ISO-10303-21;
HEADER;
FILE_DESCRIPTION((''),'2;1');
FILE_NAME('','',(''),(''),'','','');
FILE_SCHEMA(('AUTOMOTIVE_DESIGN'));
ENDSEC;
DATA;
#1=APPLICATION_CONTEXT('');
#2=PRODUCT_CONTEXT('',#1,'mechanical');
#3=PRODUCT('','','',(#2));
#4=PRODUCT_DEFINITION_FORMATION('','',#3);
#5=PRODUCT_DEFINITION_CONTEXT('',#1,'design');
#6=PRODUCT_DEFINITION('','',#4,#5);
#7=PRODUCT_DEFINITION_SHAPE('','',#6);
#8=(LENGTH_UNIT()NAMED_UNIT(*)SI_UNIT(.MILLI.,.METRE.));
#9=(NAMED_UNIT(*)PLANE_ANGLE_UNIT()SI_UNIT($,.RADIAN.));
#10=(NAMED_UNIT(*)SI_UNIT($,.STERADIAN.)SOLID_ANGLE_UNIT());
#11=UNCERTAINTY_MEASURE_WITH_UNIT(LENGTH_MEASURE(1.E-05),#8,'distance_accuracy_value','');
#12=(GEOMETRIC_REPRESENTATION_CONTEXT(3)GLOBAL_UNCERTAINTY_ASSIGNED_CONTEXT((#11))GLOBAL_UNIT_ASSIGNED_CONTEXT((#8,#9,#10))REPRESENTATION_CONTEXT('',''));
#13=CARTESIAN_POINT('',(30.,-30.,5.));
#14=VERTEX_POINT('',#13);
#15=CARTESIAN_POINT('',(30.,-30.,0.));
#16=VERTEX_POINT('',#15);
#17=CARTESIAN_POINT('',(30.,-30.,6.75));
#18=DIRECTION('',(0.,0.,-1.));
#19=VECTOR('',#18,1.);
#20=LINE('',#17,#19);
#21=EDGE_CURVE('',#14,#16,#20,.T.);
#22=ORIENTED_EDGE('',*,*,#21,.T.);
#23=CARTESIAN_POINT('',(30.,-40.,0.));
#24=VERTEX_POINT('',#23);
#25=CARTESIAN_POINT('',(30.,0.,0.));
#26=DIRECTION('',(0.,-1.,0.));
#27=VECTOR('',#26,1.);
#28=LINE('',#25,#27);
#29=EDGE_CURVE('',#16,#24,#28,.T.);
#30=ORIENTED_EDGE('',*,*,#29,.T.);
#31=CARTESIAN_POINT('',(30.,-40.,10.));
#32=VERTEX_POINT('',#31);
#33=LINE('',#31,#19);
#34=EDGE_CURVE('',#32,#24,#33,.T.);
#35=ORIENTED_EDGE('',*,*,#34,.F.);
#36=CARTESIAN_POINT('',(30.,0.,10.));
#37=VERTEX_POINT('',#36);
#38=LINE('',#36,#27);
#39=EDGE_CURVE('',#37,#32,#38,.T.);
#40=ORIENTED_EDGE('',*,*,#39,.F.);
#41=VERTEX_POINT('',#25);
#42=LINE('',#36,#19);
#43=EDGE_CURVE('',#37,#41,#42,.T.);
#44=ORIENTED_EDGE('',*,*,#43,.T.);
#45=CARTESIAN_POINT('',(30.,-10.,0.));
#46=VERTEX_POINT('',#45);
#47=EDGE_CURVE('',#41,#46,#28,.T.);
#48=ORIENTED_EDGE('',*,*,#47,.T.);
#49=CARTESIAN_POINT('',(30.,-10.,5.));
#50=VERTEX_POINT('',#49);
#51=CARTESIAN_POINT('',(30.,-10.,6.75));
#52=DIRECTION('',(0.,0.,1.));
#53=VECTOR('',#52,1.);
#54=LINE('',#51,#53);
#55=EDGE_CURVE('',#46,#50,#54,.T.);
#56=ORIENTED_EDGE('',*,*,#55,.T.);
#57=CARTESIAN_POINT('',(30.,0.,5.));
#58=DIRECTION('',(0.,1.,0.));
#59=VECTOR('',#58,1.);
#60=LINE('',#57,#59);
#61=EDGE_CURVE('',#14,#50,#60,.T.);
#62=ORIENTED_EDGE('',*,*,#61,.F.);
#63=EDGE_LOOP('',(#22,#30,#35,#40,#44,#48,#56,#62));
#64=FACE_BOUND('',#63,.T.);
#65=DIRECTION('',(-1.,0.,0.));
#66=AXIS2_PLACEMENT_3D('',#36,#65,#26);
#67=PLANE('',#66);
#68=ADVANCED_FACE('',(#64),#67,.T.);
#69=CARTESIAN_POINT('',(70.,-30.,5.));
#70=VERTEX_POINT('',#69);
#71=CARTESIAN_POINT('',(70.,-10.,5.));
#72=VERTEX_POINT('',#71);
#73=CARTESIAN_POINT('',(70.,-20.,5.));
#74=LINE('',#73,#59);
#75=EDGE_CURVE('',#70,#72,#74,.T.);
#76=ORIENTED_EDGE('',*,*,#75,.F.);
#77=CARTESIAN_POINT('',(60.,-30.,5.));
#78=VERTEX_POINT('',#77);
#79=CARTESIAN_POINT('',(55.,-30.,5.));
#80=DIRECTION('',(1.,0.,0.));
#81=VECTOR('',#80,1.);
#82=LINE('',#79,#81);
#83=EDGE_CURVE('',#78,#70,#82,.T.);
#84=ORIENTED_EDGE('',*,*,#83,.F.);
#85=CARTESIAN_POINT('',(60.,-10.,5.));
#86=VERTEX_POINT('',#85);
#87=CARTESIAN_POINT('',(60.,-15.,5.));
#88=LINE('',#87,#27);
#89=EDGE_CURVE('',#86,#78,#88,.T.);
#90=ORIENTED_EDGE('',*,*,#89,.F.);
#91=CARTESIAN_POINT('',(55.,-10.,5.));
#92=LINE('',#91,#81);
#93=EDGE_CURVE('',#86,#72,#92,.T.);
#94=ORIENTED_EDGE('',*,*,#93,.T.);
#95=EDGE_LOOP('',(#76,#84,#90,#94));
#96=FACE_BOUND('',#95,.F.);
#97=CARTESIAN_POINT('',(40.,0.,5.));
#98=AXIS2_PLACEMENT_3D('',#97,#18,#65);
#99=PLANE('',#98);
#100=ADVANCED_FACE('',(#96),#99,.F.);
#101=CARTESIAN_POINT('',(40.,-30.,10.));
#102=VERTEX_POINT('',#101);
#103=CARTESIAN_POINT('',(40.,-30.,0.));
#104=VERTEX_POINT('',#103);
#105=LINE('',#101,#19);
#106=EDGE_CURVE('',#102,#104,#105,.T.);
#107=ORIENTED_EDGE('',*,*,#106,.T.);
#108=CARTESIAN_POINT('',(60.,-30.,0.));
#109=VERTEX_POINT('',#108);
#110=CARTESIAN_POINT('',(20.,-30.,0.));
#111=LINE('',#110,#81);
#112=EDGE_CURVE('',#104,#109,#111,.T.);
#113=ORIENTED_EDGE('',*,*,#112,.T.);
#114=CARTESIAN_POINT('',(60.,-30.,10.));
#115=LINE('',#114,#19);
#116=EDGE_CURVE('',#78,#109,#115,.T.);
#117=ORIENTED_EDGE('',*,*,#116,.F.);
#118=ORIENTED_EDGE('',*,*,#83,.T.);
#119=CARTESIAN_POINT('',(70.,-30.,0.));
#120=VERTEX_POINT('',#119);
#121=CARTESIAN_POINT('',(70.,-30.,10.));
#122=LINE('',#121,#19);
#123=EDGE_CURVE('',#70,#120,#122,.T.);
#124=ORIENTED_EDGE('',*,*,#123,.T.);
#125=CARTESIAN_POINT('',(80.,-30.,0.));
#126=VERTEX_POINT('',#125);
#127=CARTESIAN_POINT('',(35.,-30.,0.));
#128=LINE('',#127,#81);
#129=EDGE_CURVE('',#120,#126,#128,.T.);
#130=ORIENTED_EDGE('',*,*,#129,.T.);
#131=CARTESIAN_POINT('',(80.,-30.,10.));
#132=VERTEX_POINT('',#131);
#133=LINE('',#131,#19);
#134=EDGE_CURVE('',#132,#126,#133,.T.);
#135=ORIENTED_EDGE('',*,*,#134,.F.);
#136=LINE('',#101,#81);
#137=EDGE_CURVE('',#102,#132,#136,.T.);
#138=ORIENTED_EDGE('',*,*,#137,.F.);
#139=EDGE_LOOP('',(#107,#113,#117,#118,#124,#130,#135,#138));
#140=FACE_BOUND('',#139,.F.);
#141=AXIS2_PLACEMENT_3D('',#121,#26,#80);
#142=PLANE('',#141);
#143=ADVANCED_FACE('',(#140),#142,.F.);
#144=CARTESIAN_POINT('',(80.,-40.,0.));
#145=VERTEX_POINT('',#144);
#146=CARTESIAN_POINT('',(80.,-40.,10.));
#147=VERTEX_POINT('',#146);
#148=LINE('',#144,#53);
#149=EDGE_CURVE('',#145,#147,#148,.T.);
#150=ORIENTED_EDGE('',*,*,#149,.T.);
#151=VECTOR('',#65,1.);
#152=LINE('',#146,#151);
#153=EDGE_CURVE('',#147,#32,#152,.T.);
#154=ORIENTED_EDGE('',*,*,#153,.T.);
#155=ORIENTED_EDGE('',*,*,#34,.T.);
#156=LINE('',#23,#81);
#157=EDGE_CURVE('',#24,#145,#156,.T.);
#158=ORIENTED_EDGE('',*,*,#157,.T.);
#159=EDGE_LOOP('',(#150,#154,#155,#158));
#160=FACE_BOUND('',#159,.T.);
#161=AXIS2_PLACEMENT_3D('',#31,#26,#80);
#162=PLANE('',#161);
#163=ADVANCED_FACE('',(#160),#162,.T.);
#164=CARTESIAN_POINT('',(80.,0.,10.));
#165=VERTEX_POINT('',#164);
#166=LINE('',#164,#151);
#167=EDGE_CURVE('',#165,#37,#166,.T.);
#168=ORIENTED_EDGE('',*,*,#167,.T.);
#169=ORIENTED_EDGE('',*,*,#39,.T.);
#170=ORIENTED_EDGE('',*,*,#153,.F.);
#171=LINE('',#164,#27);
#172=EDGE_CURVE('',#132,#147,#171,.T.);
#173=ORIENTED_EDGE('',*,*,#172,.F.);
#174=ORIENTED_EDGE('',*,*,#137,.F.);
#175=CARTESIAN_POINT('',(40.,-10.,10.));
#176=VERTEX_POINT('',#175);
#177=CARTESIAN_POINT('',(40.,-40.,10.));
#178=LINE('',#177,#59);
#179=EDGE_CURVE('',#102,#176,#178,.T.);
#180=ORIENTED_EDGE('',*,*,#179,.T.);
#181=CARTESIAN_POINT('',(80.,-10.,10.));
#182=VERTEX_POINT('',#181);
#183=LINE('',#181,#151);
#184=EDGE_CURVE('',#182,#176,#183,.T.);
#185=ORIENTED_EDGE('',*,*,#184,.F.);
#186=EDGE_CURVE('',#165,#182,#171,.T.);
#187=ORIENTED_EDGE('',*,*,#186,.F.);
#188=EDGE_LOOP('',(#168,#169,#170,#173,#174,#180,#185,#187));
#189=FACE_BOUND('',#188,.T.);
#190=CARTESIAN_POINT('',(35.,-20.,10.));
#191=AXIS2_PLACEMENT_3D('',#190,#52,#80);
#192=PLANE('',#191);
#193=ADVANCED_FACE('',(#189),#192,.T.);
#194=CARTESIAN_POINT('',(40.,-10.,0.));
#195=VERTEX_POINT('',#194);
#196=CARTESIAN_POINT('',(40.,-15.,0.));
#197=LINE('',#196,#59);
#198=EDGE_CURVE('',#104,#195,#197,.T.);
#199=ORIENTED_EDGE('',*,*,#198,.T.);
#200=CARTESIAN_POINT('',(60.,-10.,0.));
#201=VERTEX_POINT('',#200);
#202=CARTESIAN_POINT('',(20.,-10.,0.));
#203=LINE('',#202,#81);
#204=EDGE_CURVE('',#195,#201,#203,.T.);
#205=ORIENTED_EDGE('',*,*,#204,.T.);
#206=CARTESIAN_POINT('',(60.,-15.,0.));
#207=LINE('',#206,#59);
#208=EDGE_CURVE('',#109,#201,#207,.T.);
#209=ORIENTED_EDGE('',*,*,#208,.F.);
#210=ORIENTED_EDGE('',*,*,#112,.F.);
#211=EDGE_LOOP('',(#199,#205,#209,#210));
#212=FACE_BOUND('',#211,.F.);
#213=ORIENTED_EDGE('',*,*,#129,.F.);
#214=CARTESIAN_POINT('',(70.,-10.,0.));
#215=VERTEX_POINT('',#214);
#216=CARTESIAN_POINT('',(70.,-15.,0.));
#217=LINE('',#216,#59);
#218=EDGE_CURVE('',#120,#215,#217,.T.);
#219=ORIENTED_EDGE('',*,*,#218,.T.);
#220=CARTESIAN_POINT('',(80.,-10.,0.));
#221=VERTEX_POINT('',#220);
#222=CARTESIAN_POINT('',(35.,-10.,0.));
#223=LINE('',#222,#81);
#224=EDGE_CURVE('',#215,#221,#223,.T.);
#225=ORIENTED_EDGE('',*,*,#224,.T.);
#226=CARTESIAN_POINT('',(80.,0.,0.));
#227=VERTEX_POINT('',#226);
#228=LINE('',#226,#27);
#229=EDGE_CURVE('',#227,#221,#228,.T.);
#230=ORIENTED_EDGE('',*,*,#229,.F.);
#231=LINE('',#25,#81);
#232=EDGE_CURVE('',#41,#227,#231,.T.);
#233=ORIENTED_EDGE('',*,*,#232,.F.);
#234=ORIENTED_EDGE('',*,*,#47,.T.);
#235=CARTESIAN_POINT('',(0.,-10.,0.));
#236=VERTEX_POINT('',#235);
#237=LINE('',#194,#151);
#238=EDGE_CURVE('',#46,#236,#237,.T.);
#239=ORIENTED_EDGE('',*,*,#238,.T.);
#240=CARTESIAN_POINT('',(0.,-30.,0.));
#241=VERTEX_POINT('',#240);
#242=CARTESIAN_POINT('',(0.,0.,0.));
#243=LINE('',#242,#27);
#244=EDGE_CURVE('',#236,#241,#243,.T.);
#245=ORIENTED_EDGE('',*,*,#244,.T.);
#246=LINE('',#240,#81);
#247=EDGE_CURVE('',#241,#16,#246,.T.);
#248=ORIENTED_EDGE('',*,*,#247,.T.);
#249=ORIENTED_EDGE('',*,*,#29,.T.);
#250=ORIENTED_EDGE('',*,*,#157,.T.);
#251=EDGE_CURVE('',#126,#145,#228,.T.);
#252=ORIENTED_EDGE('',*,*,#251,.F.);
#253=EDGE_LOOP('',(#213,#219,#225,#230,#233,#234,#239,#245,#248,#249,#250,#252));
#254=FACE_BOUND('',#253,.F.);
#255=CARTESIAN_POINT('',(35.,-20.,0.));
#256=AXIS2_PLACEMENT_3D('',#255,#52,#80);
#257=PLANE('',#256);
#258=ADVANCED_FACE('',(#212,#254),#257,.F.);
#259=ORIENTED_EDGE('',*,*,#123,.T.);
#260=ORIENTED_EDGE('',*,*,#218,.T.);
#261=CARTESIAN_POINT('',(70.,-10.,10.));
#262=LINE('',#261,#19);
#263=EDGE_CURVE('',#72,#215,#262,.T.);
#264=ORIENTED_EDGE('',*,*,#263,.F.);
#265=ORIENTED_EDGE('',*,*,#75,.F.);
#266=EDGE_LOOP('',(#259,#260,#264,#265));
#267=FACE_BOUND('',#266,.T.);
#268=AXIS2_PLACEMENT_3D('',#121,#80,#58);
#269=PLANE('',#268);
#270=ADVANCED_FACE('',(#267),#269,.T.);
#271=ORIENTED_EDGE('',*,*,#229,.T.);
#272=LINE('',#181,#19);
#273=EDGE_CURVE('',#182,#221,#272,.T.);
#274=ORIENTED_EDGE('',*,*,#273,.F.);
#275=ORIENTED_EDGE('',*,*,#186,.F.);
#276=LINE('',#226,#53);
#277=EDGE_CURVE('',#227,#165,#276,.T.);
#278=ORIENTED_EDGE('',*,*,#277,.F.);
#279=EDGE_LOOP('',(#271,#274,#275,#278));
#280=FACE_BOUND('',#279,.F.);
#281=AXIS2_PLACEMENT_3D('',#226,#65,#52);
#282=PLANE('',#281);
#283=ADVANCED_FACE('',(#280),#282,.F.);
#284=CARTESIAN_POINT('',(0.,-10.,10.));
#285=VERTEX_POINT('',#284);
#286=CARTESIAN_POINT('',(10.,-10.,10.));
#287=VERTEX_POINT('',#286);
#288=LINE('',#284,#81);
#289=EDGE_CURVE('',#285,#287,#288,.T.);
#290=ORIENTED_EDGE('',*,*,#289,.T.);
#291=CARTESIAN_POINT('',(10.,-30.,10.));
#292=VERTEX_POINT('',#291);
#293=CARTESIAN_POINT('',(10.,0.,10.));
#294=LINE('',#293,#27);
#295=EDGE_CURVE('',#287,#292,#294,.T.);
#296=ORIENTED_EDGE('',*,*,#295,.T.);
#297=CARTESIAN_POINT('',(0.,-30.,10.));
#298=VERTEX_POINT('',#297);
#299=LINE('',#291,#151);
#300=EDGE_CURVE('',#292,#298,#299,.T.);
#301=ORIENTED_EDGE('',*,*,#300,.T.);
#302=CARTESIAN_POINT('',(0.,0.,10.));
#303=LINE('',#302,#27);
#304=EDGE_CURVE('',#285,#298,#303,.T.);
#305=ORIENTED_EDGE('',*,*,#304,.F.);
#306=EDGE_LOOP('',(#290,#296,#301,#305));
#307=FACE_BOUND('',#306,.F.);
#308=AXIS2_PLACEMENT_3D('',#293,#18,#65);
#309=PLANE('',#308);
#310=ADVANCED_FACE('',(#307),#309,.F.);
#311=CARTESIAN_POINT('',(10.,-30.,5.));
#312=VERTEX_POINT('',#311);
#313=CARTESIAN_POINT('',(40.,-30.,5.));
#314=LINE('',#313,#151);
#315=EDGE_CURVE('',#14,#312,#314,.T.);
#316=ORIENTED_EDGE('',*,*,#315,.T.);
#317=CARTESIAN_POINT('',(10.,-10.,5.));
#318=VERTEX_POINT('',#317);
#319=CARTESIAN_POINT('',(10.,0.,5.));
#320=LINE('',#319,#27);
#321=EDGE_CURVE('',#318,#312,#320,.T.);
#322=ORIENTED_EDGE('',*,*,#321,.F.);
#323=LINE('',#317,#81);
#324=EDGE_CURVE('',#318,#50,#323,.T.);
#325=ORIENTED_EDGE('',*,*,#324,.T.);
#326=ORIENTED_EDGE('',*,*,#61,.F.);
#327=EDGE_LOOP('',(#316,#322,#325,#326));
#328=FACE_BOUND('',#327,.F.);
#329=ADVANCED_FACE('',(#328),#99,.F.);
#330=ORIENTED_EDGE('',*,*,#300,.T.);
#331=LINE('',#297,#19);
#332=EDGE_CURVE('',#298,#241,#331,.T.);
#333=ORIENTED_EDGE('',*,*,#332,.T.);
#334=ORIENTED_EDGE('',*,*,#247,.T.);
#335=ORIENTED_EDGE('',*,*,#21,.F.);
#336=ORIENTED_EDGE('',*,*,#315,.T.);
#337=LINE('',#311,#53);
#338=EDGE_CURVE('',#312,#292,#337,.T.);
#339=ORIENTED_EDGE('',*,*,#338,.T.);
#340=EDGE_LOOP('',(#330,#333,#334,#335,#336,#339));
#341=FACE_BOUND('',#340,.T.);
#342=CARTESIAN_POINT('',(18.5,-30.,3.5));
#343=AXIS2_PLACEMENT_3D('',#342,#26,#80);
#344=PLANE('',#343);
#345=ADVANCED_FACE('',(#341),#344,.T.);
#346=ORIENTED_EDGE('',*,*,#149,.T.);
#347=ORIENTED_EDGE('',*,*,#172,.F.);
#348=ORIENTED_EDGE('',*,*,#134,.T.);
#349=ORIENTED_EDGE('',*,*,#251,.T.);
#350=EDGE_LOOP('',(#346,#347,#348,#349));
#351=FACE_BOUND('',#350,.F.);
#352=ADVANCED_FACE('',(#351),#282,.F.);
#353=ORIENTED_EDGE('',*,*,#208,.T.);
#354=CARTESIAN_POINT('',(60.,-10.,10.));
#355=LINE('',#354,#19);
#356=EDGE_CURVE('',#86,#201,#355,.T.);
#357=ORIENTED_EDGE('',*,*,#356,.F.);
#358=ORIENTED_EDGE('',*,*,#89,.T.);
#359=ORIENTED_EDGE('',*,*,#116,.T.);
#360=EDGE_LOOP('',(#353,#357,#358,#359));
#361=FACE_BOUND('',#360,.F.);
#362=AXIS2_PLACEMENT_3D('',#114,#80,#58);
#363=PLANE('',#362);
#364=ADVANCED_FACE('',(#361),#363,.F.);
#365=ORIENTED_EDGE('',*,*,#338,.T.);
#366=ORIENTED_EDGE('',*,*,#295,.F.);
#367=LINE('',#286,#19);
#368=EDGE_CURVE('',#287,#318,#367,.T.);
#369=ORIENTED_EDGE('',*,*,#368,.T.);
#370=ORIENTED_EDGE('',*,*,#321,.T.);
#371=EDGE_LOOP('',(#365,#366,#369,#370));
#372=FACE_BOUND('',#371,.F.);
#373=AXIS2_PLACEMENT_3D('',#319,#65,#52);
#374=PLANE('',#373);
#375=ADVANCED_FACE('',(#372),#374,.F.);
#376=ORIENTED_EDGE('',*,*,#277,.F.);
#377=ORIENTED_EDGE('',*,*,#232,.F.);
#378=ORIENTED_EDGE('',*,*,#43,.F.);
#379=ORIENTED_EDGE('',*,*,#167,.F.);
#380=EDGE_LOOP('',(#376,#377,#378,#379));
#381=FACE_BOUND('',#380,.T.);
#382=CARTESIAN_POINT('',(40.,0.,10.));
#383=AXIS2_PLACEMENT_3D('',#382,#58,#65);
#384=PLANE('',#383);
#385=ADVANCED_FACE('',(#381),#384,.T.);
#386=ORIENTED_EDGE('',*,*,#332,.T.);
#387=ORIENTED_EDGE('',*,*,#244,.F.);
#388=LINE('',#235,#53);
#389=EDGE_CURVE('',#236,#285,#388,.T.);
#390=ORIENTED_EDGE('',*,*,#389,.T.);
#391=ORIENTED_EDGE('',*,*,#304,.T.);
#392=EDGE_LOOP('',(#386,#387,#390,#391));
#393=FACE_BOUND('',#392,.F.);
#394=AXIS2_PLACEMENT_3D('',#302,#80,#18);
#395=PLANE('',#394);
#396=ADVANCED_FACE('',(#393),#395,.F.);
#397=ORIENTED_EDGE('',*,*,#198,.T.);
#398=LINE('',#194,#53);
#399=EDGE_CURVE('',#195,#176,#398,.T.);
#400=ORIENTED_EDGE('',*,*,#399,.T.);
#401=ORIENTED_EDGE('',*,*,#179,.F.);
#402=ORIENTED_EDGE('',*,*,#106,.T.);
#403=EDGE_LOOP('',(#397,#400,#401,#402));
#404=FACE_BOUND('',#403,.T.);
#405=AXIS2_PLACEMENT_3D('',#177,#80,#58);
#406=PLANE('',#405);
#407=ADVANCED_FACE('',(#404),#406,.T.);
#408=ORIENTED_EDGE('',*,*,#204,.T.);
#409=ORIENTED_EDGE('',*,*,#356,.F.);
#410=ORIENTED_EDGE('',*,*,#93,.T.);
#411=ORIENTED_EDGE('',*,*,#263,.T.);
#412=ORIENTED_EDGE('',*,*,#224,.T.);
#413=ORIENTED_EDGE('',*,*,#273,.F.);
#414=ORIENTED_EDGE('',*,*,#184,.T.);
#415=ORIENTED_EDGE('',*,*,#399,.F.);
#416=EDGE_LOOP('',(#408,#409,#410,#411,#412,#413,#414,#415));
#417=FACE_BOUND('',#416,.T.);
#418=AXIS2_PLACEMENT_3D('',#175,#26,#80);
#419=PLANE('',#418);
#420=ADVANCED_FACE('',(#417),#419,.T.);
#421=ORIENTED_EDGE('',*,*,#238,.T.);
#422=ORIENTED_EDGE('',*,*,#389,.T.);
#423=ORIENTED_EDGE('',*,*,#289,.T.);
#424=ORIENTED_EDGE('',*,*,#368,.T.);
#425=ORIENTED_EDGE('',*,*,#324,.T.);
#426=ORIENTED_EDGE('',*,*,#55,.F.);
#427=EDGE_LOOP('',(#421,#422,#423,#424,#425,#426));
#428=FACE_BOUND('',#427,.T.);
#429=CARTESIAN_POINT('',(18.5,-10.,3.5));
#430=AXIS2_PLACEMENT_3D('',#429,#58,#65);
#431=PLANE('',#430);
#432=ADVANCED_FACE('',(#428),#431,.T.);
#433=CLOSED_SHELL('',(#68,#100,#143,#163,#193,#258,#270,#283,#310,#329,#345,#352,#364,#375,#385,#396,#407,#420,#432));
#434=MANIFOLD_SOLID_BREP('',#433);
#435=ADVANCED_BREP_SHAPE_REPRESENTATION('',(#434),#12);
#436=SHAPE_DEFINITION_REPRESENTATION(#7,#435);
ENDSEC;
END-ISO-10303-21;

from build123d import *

# Parameters (mm, degrees)
F1_DEPTH  = 40
F3_DEPTH  = 10
F5_DEPTH  = 10
F6_W      = 10
F6_H      = 20
F7_DEPTH  = 25
F6_W_2    = 30
F8_DEPTH  = 5
F9_W      = 20
F9_H      = 20
F10_DEPTH = 25
F11_DEPTH = 10


with BuildPart() as f1:
    # F0 (on Front) → F1 (new body)
    with BuildSketch(Plane.XZ):
        Polygon((0, 10), (0, 0), (80, 0), (80, 10), (40, 10), (40, 5), (10, 5), (10, 10), align=None)
    extrude(amount=F1_DEPTH)

    # F2 (on face) → F3 (cut)
    with BuildSketch(Plane.XZ.offset(40)):
        Polygon((10, 10), (0, 10), (0, 0), (40, 0), (40, 5), (10, 5), align=None)
    extrude(amount=-F3_DEPTH, mode=Mode.SUBTRACT)

    # F4 (on face) → F5 (cut)
    with BuildSketch(Plane(origin=(0, 0, 0), x_dir=(-1, 0, 0), z_dir=(0, 1, 0))):
        Polygon((-40, 0), (0, 0), (0, 10), (-10, 10), (-10, 5), (-40, 5), align=None)
    extrude(amount=-F5_DEPTH, mode=Mode.SUBTRACT)

    # F6 (on face) → F7 (cut)
    with BuildSketch(Plane.XY.offset(10)):
        with Locations((75, -20)):
            Rectangle(F6_W, F6_H)
    extrude(amount=-F7_DEPTH, mode=Mode.SUBTRACT)

    # F6 (on face) → F8 (cut)
    with BuildSketch(Plane.XY.offset(10)):
        with Locations((55, -20)):
            Rectangle(F6_W_2, F6_H)
    extrude(amount=-F8_DEPTH, mode=Mode.SUBTRACT)

    # F9 (on face) → F10 (cut)
    with BuildSketch(Plane.XY.offset(10)):
        with Locations((50, -20)):
            Rectangle(F9_W, F9_H)
    extrude(amount=-F10_DEPTH, mode=Mode.SUBTRACT)

    # F9 (on face) → F11 (join)
    with BuildSketch(Plane.XY.offset(10)):
        Polygon((30, -40), (40, -40), (40, -30), (40, -10), (40, 0), (30, 0), align=None)
    extrude(amount=-F11_DEPTH)


solid = f1.part
